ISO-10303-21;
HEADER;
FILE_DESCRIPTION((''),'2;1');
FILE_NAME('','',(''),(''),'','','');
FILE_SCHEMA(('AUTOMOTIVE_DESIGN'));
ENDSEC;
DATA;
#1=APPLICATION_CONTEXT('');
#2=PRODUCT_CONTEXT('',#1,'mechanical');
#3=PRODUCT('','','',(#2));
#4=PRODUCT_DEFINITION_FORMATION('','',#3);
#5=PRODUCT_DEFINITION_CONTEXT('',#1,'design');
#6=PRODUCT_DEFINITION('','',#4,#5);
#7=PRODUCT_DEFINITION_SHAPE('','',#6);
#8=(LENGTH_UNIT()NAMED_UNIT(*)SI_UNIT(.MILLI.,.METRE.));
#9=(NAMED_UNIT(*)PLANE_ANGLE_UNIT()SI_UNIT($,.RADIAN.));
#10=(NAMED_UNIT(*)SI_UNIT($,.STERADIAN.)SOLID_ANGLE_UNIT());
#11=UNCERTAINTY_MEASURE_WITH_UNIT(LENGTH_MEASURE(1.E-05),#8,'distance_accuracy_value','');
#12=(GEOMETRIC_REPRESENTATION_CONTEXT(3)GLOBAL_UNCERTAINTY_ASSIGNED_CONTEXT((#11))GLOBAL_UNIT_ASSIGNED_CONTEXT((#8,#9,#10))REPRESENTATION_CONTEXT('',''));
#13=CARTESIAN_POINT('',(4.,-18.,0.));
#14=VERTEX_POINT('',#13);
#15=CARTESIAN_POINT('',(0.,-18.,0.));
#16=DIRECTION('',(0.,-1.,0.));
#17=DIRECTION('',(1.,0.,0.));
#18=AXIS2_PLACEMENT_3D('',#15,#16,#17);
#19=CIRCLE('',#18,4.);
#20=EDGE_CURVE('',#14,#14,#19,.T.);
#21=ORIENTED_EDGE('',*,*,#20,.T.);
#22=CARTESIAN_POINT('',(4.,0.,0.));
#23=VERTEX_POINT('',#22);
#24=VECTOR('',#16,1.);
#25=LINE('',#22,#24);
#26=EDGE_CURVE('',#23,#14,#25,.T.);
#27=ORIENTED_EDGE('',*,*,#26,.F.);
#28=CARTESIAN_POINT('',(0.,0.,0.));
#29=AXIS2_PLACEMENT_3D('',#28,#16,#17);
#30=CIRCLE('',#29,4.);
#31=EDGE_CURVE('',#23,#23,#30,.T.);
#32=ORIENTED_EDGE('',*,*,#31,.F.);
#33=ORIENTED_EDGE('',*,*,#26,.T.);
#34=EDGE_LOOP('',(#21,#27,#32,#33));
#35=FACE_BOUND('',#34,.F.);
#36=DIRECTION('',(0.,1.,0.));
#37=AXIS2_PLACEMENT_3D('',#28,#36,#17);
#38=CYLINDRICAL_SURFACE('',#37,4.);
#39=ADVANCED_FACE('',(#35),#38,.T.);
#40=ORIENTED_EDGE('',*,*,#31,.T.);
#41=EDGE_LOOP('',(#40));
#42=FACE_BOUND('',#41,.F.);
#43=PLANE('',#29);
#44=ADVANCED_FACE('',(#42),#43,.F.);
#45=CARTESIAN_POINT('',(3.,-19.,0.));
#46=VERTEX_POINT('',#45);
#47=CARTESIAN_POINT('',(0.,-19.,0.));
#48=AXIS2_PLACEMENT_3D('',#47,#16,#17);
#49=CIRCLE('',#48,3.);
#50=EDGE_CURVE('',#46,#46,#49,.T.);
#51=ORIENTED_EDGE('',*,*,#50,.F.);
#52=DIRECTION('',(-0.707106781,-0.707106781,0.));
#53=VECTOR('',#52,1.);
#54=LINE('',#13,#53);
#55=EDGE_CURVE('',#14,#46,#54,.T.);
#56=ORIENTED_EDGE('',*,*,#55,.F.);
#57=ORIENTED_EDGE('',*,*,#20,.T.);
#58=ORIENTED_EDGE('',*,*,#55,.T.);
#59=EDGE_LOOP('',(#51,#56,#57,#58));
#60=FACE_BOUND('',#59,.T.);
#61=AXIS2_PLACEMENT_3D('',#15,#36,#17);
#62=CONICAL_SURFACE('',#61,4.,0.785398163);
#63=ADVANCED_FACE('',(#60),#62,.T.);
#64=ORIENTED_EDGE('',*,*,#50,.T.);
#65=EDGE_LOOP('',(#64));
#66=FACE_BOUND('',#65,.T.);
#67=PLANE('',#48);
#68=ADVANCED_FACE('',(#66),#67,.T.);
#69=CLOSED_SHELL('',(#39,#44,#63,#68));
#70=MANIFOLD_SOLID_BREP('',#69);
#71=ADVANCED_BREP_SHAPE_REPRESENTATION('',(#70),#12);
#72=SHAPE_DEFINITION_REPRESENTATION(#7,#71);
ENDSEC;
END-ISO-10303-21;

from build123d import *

# Parameters (mm, degrees)
F0_R     = 4
F1_DEPTH = 19
F2_SIZE  = 1


with BuildPart() as f1:
    # F0 (on Front) → F1 (new body)
    with BuildSketch(Plane.XZ):
        Circle(F0_R)
    extrude(amount=F1_DEPTH)

    # F2
    f2_edges = [f1.edges().sort_by_distance(p)[0] for p in [
        (-4, -19, 0),
    ]]
    chamfer(f2_edges, length=F2_SIZE)


solid = f1.part
